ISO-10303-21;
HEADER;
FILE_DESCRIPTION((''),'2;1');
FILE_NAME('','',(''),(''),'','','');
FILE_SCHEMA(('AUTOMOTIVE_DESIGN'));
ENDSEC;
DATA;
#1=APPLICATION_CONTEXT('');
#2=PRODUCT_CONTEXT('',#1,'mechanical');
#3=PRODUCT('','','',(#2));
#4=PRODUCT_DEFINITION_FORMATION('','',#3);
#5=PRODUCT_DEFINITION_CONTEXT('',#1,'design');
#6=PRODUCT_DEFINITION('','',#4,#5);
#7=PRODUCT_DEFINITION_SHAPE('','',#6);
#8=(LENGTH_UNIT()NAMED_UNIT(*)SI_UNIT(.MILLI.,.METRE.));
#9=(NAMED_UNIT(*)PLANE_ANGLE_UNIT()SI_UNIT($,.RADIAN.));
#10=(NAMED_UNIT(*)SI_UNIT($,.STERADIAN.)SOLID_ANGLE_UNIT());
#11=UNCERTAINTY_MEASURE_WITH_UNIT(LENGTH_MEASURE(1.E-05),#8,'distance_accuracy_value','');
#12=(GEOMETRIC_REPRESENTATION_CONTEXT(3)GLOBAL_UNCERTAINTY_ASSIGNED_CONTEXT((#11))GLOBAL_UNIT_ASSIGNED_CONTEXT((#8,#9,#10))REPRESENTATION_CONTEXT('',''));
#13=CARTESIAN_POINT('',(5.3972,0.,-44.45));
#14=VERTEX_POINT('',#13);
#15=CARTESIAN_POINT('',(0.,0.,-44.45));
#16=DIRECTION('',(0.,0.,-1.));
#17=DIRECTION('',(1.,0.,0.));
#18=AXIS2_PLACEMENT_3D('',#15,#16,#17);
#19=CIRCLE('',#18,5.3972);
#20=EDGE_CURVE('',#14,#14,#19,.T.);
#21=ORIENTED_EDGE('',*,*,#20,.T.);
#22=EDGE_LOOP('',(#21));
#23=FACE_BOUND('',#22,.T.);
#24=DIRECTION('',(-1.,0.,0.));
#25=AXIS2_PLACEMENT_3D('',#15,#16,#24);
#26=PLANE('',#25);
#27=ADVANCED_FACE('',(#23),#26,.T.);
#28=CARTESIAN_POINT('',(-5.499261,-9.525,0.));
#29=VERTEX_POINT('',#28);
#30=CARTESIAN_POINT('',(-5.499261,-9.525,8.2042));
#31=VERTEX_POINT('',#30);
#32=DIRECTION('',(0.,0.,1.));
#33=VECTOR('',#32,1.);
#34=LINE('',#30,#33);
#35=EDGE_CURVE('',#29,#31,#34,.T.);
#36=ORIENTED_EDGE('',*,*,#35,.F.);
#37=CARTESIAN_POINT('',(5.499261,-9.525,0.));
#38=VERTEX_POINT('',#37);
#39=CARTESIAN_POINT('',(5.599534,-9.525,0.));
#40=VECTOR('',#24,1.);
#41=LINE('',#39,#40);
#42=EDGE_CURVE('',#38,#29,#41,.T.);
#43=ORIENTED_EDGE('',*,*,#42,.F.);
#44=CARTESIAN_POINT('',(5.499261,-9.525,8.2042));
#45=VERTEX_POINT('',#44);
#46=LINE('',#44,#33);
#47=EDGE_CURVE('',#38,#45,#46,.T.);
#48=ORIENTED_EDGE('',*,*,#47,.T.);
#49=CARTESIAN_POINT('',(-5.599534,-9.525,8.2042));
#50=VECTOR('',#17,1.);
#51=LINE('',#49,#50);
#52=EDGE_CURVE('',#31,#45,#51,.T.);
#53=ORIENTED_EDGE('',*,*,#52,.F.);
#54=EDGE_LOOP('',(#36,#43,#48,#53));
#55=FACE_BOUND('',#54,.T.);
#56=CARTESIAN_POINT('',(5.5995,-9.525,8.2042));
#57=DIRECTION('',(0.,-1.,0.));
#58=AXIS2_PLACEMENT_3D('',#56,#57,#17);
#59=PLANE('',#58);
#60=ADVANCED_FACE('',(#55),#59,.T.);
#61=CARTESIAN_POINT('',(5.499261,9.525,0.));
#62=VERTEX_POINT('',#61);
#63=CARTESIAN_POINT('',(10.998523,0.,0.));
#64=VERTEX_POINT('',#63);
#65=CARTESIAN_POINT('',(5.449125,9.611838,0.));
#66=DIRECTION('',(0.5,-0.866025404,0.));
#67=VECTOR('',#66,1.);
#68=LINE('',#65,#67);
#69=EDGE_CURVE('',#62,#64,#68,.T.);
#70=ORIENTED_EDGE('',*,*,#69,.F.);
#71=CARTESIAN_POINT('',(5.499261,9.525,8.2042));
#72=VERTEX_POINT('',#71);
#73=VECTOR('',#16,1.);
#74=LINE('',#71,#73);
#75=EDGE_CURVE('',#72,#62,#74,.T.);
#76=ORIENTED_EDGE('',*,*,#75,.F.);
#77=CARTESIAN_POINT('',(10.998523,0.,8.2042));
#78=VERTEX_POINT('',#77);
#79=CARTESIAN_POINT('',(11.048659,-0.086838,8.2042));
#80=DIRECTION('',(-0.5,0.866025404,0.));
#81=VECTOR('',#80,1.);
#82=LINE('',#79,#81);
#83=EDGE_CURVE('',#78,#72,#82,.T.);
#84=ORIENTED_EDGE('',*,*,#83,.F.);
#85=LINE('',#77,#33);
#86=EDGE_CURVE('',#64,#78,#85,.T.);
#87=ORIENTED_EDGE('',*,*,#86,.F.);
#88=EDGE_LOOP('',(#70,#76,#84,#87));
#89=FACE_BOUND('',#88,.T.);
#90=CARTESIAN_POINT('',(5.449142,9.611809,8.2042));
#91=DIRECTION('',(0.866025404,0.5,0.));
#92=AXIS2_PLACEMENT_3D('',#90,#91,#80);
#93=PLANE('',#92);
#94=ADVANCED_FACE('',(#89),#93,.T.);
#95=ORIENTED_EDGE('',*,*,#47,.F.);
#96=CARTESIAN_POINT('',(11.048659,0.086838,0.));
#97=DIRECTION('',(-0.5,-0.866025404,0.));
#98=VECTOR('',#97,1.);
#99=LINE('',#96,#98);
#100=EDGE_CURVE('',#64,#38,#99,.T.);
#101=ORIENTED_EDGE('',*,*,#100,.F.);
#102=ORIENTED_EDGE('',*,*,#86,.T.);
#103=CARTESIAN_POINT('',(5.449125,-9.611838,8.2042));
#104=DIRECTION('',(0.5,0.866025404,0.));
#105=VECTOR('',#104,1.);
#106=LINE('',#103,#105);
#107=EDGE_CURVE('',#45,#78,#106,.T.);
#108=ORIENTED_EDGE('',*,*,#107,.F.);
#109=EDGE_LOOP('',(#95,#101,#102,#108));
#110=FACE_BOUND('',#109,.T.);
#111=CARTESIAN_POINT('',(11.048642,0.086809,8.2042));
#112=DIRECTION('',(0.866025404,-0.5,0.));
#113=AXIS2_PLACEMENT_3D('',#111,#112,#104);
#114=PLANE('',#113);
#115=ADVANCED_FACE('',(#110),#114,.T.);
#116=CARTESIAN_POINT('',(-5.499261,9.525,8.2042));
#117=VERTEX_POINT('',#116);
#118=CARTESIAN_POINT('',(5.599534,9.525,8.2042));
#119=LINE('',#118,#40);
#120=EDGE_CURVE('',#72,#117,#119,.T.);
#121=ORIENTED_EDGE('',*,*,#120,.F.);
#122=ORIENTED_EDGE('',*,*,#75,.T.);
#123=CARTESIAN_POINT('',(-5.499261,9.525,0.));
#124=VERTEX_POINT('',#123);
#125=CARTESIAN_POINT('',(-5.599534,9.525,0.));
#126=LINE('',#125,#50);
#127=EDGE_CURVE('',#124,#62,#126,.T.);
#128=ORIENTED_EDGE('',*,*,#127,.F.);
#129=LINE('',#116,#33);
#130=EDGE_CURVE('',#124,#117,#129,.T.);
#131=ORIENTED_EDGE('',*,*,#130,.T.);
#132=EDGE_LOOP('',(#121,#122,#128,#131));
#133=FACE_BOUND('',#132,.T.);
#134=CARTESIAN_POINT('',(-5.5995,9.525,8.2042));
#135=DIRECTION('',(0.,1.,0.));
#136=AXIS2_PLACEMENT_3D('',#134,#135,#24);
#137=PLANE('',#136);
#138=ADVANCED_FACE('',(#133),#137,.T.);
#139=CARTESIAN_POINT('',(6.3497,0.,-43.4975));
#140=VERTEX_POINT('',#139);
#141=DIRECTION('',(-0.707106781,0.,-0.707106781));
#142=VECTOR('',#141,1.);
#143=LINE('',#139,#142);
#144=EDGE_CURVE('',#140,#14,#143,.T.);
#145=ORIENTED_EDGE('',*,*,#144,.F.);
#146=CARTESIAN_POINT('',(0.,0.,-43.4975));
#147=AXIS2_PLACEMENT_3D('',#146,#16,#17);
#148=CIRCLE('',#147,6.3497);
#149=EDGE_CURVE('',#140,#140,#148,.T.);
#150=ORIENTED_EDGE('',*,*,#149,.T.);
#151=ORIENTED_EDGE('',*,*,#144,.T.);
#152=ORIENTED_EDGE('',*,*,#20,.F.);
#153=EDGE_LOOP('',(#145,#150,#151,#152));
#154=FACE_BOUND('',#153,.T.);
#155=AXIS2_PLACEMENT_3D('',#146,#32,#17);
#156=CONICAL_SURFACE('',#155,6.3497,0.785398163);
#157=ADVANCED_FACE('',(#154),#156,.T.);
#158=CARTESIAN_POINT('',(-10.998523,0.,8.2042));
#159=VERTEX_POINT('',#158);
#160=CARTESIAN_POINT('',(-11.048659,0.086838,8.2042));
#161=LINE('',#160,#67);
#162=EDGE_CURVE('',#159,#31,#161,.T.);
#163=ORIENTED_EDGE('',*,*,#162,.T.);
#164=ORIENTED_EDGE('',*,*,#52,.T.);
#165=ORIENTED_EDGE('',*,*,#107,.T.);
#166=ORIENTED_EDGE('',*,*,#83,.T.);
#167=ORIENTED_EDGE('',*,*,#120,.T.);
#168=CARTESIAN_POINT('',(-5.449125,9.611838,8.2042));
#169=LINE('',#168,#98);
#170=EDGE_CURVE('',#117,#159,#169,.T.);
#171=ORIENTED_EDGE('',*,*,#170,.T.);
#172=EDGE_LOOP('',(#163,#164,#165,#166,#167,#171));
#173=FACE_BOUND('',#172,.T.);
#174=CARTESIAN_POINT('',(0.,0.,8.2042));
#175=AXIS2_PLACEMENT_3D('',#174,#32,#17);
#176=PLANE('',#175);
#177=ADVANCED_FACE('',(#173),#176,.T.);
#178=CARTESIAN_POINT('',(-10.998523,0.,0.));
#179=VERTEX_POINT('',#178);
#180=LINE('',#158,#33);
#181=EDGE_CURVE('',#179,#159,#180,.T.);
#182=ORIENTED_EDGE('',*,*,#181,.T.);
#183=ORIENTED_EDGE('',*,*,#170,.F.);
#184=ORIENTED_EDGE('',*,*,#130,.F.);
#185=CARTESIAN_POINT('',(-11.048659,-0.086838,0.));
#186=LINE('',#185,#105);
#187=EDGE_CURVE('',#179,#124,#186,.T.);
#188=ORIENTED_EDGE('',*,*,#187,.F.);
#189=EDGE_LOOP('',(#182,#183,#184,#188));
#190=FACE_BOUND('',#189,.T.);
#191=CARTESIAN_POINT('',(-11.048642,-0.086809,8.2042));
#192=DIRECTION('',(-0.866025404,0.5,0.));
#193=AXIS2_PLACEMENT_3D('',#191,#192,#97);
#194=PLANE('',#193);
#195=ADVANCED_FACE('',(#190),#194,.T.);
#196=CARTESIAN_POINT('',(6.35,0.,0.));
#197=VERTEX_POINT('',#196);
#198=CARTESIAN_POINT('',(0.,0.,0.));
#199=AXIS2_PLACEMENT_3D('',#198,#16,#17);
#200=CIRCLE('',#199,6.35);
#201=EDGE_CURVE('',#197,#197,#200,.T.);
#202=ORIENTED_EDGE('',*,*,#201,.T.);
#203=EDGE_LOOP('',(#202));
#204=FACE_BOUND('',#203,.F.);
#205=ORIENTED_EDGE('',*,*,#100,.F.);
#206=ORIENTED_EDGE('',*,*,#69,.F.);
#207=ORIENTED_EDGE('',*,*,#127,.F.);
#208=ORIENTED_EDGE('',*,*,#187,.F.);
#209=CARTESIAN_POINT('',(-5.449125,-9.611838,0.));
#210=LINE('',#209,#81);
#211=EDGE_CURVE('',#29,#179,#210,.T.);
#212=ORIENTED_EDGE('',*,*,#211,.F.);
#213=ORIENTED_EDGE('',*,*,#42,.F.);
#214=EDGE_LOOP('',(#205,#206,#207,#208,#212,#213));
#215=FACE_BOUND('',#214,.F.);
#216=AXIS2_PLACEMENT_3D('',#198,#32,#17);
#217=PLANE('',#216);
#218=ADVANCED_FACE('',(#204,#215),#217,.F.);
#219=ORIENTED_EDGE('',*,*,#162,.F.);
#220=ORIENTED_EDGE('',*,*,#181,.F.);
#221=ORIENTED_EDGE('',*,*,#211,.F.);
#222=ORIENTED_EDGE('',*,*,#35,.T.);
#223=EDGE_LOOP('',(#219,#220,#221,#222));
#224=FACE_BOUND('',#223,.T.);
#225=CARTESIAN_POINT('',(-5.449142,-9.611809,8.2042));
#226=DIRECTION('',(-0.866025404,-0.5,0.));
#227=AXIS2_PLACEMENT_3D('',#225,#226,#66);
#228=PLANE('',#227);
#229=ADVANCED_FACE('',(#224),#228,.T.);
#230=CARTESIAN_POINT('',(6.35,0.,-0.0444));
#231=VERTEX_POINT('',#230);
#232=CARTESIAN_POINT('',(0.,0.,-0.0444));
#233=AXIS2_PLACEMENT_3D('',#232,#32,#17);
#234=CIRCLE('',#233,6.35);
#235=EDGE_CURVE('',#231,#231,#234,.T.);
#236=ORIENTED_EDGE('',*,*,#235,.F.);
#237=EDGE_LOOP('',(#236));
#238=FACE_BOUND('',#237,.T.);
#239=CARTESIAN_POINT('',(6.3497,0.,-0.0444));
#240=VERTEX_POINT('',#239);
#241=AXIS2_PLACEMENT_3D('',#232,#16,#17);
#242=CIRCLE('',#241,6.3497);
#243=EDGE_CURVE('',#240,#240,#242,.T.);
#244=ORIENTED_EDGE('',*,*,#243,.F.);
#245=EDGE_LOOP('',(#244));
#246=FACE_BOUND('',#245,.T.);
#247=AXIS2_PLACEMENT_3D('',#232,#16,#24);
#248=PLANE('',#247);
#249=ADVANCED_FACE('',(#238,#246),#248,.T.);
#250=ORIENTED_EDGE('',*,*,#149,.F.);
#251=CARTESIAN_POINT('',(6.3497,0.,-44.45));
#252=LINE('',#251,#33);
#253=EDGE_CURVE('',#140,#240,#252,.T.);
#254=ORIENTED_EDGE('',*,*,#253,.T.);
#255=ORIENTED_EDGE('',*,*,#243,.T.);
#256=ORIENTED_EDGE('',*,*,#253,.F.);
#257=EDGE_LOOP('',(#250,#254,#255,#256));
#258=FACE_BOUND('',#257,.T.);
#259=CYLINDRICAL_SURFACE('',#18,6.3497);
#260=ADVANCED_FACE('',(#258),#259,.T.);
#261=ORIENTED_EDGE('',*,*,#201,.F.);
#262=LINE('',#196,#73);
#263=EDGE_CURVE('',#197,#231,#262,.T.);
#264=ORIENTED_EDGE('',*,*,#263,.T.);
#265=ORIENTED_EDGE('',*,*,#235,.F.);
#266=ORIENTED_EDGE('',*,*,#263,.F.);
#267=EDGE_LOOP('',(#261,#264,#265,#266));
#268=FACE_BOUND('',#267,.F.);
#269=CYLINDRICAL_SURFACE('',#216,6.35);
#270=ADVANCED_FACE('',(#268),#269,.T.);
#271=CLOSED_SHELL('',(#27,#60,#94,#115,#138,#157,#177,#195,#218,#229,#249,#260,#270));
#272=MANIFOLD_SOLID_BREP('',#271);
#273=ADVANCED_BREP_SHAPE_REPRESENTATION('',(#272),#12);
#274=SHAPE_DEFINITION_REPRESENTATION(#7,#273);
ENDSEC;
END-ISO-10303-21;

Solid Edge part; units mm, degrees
sketch "Sketch1" plane through (0, 0, 0) normal (0, 0, 1) x (1, 0, 0)
  circle A0 centre (0, 0) radius 11.049
  dimension "D1" = 22.098
extrude "Protrusion1" add sketch "Sketch1" along normal blind 8.2042
sketch "Sketch2" plane through (0, 0, 0) normal (0, 0, -1) x (1, 0, 0)
  circle A0 centre (0, 0) radius 6.35
extrude "Protrusion2" add sketch "Sketch2" along normal blind 44.45
sketch "Sketch3" plane through (0, 0, -44.45) normal (0, 0, -1) x (1, 0, 0)
  circle A0 centre (0, 0) radius 6.3497
extrude "Cutout1" cut sketch "Sketch3" against normal blind 44.4056 flip side to cut
chamfer "Chamfer_1" distance 0.9525 angle 45 1 edges at (-6.3497, 0, -44.45)
sketch "Sketch4" plane through (0, 0, 8.2042) normal (0, 0, 1) x (1, 0, 0)
  line L0 (-5.5995, 9.525) -> (5.5995, 9.525)
  dimension "D1" = 19.05
extrude "Cutout2" cut sketch "Sketch4" against normal up to next material side at (0, 9.575, 8.2042)
pattern_circular "Pattern1" count 6 over 360 about axis through (0, 0, 8.2042) along (0, 0, 1) of "Cutout2"
properties part number "124316"
